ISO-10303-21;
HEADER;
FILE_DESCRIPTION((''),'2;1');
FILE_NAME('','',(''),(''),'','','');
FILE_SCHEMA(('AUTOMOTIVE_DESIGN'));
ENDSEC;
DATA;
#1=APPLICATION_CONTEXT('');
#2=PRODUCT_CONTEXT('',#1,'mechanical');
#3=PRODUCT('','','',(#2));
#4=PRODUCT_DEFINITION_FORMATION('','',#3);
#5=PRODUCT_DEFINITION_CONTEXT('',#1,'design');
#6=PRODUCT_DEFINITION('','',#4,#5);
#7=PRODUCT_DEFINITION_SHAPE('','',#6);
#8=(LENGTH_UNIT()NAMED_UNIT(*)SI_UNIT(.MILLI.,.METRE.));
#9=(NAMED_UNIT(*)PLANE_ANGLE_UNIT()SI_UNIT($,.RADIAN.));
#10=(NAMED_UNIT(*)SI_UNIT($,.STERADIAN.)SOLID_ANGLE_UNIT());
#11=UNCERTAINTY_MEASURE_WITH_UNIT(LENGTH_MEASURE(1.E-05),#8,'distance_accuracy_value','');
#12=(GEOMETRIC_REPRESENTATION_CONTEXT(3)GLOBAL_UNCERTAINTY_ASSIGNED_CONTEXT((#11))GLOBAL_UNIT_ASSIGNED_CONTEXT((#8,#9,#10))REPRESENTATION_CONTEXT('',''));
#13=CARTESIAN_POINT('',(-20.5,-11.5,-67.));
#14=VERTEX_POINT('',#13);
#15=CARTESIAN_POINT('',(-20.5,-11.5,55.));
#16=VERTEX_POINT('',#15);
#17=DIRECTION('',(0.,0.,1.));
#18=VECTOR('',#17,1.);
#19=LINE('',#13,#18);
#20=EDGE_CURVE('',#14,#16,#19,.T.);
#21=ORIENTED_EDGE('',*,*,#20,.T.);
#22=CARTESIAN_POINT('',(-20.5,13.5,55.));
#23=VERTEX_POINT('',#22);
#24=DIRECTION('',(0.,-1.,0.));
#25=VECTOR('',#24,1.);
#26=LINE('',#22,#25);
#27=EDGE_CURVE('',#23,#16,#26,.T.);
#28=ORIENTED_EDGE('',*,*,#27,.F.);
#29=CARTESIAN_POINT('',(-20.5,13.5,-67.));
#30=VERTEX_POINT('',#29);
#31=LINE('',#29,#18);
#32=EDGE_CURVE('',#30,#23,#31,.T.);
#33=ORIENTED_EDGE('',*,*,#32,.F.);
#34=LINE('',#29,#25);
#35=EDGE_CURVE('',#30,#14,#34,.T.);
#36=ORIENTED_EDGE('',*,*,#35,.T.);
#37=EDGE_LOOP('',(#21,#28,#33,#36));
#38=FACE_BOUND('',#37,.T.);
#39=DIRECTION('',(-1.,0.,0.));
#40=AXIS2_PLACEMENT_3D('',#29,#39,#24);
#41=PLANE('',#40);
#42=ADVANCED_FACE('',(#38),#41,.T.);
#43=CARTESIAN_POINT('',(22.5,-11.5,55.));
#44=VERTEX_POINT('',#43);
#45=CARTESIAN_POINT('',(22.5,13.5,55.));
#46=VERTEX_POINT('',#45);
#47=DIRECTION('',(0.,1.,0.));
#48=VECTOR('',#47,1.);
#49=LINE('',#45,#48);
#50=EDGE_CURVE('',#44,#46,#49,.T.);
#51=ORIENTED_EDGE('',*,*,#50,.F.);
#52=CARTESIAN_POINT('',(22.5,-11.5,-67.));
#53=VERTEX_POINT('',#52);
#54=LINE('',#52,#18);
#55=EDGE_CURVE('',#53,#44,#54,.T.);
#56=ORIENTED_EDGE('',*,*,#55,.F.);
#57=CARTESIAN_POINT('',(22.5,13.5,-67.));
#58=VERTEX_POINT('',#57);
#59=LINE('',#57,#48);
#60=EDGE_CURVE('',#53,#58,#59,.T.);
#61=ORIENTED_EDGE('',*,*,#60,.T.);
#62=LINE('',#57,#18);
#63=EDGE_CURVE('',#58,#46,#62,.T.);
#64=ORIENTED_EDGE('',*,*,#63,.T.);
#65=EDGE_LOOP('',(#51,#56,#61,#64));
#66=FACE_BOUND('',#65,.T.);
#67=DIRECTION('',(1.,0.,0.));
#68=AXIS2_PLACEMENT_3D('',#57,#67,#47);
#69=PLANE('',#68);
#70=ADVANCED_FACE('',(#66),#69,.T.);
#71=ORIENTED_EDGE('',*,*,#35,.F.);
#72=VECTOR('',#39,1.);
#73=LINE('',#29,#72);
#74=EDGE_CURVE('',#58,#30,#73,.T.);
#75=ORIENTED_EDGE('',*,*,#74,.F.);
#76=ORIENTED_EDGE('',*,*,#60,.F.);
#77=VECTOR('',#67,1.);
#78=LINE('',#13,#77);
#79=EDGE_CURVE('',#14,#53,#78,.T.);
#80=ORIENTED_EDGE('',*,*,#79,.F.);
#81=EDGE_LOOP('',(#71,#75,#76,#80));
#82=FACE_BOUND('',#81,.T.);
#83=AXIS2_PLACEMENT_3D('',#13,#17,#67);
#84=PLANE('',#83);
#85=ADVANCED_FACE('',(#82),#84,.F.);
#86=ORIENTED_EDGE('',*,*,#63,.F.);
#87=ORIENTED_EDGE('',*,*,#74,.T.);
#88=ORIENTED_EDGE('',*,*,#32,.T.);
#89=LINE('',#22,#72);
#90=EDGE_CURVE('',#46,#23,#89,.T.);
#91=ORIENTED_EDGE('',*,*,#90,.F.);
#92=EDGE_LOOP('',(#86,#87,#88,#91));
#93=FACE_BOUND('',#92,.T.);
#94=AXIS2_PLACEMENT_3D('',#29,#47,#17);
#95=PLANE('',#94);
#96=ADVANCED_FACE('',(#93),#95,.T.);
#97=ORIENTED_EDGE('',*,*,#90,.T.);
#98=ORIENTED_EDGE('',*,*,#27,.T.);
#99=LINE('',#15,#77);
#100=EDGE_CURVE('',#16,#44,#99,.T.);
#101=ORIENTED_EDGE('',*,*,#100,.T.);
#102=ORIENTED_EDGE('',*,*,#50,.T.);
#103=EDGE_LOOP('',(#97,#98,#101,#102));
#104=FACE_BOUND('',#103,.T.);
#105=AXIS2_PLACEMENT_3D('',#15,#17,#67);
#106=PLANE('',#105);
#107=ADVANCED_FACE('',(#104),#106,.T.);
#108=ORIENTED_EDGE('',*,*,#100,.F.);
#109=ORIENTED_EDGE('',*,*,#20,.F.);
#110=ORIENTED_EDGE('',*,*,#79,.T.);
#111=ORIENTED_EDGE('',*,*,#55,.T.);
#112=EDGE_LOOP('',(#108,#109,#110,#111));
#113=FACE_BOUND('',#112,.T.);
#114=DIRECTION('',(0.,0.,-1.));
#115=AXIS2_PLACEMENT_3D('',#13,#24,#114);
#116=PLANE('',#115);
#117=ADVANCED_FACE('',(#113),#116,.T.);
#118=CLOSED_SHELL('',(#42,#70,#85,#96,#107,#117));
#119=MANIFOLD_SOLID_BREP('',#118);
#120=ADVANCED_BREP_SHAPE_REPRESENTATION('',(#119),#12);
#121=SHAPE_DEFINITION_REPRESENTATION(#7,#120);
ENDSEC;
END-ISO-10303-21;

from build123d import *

# Parameters (mm, degrees)
EXTRUDE1_DEPTH      = 55
EXTRUDE1_DEPTH_BACK = 67
SKETCH1_W           = 43
SKETCH1_H           = 25


with BuildPart() as part:
    # Sketch1 → Extrude1 (new, two sides: drawn at the far end of the back side and taken through both)
    with BuildSketch(Plane.XY.offset(-EXTRUDE1_DEPTH_BACK)):
        with Locations((1, 1)):
            Rectangle(SKETCH1_W, SKETCH1_H)
    extrude(amount=EXTRUDE1_DEPTH + EXTRUDE1_DEPTH_BACK)


solid = part.part
